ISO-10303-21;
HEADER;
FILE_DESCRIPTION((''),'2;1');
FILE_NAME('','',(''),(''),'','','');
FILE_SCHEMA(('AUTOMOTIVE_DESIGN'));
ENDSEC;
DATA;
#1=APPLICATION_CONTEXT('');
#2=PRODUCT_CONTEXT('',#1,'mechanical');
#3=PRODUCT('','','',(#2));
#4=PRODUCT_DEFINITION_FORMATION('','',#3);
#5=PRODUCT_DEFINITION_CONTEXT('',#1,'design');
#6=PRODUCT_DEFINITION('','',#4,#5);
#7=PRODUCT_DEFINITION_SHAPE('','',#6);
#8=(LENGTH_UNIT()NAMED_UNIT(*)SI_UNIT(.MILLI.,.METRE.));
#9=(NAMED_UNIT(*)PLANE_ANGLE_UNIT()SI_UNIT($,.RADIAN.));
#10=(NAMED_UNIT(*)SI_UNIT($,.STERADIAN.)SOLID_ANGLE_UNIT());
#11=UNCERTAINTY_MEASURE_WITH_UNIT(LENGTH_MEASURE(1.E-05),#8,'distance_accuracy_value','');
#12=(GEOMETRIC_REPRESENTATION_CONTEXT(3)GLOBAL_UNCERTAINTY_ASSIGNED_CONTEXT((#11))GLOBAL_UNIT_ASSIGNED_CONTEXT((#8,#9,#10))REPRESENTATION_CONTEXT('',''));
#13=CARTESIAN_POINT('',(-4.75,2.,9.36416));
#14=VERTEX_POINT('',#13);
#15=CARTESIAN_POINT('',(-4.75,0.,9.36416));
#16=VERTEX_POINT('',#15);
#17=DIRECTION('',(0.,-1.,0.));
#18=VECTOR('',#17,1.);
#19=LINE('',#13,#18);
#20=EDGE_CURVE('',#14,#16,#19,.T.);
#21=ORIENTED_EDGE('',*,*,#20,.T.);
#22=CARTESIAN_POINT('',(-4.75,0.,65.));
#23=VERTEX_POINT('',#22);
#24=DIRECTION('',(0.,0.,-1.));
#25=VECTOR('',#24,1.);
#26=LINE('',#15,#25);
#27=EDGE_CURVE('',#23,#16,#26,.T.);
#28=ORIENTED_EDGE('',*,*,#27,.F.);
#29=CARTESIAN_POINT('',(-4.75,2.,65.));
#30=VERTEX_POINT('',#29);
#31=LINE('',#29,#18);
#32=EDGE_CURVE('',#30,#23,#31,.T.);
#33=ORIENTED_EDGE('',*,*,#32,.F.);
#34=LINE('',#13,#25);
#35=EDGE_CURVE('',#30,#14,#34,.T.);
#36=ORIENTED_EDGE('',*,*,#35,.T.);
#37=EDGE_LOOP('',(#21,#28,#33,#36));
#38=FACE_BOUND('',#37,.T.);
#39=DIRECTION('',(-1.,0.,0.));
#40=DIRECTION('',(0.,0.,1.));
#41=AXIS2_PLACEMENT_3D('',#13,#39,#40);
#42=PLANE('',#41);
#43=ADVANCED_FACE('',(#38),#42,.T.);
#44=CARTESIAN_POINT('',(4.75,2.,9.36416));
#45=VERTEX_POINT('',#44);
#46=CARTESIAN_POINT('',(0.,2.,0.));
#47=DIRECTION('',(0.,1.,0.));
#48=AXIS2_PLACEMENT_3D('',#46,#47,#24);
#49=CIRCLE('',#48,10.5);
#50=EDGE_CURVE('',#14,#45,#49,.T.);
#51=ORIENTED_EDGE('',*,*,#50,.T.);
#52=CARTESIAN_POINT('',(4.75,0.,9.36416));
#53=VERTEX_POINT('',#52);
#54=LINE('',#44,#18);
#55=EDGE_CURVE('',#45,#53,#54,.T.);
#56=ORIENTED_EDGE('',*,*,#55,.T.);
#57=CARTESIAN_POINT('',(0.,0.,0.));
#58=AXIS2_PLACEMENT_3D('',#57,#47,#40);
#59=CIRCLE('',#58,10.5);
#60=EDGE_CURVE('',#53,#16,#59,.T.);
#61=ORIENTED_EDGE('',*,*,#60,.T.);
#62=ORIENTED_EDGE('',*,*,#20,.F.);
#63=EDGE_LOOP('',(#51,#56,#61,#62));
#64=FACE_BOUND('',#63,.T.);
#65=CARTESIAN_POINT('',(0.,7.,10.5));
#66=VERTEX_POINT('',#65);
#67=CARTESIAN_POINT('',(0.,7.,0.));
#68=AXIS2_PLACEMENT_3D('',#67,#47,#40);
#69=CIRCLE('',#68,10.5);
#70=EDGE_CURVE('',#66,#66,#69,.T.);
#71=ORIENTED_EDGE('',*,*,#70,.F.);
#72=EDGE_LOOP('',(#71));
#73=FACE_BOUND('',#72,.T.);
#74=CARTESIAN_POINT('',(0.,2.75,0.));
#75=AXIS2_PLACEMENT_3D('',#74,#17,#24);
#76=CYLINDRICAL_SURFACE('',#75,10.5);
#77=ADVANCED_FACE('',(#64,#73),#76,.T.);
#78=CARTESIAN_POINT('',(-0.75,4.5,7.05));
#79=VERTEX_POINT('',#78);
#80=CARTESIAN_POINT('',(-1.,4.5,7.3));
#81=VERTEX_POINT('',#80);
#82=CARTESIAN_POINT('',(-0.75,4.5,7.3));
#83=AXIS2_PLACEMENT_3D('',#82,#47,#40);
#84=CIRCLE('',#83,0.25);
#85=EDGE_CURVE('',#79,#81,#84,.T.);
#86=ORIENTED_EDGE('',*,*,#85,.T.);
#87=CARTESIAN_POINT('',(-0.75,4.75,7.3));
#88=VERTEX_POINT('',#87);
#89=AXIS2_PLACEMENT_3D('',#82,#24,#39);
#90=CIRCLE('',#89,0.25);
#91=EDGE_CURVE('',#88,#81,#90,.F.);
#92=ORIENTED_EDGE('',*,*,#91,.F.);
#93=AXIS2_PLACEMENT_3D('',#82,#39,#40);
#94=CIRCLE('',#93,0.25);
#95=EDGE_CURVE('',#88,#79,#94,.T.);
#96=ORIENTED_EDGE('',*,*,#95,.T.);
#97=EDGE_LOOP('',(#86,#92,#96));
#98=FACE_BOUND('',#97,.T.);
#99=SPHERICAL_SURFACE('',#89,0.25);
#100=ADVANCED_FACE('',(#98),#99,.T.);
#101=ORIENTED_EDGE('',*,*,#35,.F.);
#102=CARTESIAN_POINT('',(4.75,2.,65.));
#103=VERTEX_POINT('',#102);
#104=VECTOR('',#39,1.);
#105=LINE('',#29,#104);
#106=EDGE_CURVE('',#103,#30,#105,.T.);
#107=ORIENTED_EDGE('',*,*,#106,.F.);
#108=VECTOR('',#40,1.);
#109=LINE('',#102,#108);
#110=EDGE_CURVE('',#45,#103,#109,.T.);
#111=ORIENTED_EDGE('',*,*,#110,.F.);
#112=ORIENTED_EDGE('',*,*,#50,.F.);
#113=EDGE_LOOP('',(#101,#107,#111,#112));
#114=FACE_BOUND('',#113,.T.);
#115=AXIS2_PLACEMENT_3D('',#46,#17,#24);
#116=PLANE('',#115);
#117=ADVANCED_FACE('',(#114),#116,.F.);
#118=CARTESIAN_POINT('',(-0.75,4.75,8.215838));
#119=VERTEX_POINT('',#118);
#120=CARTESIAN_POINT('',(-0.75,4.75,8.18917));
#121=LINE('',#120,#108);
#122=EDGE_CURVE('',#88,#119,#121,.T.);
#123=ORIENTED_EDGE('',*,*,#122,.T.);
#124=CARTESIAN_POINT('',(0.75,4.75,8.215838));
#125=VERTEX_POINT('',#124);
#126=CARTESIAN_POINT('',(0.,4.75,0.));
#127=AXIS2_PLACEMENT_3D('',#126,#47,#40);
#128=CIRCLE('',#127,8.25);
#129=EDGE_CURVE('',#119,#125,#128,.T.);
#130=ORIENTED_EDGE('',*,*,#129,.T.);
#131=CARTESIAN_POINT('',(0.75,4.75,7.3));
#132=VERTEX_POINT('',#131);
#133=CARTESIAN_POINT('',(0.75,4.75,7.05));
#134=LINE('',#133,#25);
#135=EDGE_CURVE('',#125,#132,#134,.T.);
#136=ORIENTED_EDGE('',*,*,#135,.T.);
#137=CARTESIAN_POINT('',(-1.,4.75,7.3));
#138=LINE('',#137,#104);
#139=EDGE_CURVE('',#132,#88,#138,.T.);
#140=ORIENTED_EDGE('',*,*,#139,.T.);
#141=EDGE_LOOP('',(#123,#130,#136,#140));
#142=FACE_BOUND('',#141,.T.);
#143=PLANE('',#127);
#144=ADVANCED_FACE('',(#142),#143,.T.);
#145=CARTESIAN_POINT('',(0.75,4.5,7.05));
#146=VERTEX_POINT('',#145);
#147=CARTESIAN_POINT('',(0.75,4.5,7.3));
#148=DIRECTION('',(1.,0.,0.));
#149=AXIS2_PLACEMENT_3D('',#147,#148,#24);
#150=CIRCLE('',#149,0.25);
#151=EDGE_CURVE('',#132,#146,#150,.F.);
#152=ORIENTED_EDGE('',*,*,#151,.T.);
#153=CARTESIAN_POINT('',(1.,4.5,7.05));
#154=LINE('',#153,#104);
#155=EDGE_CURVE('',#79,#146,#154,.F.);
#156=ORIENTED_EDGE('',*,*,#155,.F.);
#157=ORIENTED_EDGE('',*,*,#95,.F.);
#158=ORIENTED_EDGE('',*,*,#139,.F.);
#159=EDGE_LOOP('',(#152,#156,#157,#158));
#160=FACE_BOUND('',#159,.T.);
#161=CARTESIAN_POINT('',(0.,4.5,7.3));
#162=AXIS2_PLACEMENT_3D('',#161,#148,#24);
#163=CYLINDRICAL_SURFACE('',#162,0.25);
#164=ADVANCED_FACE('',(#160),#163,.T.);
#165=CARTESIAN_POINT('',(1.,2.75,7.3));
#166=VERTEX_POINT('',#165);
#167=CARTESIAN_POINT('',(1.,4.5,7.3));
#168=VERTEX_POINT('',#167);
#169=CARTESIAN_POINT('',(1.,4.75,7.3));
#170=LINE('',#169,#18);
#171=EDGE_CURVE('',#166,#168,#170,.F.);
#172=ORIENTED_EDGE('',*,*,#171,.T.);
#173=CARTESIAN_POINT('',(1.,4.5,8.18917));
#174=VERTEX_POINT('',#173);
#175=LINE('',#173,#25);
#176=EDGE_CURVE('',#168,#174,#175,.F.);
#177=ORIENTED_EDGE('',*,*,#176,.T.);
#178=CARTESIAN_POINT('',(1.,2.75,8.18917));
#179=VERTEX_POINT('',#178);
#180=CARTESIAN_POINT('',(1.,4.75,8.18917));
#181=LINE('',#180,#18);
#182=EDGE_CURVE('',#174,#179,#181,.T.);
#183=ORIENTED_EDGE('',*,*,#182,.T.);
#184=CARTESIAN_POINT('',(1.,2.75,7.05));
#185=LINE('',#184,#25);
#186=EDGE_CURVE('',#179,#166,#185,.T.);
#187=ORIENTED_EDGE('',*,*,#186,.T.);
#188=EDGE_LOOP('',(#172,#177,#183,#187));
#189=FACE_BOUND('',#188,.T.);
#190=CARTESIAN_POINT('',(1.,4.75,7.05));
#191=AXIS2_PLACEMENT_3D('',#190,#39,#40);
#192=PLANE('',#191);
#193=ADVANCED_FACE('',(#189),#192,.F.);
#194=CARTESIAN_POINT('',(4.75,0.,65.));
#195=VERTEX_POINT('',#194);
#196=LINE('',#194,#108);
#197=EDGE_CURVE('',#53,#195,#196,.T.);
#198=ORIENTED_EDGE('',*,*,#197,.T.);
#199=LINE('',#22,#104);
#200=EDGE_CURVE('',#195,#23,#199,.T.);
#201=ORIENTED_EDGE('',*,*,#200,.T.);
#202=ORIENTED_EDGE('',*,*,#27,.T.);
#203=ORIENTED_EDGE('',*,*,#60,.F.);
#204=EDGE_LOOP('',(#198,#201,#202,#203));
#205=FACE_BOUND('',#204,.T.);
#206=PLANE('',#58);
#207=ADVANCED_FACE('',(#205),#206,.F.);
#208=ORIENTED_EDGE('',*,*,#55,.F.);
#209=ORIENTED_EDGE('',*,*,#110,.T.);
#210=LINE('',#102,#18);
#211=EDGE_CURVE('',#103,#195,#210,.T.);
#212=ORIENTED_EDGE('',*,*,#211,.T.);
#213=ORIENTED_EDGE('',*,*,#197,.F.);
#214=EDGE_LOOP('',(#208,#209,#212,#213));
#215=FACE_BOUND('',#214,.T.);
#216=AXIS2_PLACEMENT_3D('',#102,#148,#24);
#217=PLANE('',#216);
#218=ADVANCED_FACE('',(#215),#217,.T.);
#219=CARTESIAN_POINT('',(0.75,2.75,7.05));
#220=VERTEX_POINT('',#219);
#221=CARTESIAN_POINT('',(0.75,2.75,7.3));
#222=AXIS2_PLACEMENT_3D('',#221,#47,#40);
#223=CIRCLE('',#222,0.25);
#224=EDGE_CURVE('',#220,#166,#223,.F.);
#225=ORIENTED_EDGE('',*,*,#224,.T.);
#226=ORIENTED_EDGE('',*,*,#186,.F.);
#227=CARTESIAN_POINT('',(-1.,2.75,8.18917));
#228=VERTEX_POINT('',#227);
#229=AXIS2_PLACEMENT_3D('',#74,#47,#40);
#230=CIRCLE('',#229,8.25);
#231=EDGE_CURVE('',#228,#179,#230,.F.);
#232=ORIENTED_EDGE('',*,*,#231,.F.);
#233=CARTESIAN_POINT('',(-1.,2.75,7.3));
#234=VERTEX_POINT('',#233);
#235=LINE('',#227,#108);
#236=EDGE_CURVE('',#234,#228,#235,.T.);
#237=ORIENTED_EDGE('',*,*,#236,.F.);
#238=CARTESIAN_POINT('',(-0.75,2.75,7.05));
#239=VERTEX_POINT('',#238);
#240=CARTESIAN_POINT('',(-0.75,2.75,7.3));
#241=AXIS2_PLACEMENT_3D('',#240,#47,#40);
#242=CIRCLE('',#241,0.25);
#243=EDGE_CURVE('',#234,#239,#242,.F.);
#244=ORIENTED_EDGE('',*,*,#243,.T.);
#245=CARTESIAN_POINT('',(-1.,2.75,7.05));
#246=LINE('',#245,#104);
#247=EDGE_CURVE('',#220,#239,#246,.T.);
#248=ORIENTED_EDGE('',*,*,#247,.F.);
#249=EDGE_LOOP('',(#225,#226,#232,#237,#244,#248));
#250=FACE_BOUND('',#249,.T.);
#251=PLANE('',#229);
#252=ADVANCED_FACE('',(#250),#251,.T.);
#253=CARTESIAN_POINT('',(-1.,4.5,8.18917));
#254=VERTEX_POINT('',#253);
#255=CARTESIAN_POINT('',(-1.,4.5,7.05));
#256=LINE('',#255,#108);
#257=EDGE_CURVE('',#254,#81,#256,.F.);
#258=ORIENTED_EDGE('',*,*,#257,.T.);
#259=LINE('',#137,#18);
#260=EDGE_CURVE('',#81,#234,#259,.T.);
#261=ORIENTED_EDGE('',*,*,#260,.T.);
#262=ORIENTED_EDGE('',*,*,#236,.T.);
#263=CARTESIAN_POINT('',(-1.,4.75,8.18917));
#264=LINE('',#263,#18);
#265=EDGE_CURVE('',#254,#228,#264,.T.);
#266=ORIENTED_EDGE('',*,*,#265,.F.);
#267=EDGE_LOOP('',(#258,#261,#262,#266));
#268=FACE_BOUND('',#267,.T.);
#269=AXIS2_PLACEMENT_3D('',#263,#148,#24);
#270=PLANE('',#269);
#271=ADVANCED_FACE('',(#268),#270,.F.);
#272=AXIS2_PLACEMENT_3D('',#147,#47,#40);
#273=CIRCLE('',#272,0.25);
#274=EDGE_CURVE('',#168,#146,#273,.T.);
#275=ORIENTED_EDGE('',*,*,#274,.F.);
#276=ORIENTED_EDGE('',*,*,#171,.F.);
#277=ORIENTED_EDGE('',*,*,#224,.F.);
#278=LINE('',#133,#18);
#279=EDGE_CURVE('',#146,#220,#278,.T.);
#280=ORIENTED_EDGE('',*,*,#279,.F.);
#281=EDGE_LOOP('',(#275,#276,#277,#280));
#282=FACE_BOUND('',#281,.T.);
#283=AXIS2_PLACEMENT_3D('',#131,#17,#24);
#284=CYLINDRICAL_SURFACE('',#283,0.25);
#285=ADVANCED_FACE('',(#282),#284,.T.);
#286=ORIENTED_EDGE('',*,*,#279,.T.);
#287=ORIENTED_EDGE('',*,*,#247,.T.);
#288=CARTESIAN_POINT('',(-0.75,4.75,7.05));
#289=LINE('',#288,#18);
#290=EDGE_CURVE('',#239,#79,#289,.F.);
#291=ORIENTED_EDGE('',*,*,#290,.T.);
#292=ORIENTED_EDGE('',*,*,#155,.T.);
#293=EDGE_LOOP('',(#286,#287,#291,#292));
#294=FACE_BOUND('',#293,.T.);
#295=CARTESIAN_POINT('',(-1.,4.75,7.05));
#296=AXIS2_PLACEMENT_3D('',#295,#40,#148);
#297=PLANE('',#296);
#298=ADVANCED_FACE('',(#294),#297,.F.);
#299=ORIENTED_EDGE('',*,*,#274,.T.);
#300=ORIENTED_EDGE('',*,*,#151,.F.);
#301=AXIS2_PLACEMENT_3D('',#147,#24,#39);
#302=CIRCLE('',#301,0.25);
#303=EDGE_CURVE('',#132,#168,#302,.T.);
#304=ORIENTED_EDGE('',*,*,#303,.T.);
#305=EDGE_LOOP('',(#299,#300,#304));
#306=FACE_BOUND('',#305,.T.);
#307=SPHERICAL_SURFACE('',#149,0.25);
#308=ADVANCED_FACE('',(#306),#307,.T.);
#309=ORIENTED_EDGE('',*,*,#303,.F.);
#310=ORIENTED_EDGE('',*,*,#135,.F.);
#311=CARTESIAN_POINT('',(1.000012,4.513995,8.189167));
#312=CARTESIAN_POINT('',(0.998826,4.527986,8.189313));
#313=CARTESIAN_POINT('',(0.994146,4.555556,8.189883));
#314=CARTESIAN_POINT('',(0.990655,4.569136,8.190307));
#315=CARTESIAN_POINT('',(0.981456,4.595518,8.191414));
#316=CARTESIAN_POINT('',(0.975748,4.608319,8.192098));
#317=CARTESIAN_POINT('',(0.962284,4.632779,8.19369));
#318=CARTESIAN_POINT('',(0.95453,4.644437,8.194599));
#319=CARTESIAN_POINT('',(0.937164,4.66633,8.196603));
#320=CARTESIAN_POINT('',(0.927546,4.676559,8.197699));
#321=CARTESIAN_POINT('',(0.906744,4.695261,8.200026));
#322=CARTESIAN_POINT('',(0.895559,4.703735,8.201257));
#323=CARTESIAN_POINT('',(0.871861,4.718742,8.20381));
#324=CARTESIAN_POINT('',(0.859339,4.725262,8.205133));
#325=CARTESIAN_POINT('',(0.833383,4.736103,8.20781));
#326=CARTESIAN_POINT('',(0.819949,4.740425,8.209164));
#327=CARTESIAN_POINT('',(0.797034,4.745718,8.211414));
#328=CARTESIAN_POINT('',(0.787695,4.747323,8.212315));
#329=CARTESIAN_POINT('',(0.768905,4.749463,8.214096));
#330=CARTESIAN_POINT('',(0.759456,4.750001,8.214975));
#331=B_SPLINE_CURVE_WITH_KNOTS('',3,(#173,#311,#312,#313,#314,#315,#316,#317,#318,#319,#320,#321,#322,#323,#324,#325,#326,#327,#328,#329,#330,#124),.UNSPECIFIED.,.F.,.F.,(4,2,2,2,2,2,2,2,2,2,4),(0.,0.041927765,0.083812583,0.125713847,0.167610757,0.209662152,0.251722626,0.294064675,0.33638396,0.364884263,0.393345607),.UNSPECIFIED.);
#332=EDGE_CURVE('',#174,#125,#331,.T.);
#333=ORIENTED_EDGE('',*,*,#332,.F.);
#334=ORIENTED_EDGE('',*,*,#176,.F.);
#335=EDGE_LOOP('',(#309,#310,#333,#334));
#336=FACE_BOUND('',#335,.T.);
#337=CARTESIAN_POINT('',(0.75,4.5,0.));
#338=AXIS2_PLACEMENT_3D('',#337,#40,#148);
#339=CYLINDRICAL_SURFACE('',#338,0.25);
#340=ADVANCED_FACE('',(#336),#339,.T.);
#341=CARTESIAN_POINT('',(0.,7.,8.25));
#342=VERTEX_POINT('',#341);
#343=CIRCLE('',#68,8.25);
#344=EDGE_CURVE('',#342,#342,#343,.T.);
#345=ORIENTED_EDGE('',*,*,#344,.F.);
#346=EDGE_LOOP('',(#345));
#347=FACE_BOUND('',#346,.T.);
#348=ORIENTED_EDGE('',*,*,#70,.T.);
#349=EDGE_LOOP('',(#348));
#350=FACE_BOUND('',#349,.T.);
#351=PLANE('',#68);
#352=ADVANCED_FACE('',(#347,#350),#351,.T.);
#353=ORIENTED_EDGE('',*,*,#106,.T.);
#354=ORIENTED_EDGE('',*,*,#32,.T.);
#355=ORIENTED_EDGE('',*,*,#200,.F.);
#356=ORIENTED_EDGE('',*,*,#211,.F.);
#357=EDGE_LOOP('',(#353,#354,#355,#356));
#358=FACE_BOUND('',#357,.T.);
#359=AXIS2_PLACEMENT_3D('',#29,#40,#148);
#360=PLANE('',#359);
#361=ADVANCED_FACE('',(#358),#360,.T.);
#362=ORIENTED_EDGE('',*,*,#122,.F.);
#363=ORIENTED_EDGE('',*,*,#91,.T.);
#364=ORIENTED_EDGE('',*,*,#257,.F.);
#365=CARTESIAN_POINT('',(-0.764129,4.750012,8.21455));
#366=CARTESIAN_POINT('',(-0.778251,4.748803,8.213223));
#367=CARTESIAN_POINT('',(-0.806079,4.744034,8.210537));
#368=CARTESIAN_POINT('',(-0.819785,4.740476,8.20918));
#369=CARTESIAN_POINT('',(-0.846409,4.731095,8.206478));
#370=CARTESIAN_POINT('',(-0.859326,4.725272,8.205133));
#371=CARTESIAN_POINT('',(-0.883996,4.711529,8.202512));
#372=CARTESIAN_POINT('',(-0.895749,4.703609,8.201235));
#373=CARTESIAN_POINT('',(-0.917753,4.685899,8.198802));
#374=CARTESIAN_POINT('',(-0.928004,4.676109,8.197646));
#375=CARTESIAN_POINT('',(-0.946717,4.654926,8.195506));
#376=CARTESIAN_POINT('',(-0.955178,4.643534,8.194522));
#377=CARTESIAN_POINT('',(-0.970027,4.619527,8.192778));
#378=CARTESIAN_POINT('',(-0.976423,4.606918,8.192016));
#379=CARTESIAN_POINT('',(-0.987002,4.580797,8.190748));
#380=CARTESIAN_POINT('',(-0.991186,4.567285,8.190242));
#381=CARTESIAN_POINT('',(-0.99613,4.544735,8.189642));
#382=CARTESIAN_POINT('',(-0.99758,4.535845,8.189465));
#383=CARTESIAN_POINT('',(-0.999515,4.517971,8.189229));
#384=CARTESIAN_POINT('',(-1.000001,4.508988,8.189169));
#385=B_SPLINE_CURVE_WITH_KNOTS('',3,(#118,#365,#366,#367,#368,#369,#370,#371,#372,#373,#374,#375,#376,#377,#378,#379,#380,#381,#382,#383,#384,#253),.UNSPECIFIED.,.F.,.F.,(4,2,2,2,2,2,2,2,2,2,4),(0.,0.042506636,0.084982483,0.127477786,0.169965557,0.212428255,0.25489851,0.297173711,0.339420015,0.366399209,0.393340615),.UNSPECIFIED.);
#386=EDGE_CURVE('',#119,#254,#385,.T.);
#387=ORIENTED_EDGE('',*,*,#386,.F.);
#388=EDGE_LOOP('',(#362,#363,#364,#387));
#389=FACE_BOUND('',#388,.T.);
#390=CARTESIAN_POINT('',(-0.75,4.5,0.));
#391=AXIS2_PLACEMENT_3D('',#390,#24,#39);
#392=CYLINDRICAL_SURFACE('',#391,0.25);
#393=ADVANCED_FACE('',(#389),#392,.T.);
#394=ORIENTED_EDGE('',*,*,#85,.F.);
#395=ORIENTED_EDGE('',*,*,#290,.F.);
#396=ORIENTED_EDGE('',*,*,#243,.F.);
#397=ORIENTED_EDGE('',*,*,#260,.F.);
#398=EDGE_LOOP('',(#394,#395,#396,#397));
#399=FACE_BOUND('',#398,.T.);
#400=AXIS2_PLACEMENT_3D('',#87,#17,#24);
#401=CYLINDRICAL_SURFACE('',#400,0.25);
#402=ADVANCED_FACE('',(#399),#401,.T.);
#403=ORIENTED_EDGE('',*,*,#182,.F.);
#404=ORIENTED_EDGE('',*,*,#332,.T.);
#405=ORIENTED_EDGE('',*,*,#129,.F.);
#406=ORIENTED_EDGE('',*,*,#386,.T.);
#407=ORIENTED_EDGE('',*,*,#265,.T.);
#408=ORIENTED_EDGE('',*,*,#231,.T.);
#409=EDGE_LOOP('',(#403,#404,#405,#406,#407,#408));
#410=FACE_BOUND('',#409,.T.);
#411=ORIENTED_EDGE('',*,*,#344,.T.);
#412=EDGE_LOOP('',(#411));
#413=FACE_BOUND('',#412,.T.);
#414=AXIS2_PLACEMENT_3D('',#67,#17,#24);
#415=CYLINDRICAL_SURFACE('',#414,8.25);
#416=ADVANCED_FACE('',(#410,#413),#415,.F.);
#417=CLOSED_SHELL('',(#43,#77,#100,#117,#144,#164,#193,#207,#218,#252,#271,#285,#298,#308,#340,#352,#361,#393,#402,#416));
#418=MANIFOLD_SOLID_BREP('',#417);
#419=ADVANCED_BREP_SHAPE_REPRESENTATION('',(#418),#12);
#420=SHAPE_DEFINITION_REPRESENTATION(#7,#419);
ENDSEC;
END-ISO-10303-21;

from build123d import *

# Parameters (mm, degrees)
F_0_1MM_FIT_FOR_POT_R = 10.5
BOSS_EXTRUDE1_DEPTH   = 2.75
SKETCH4_R             = 10.5
SKETCH4_R_2           = 8.25
BOSS_EXTRUDE2_DEPTH   = 4.25
BOSS_EXTRUDE3_DEPTH   = 2
FILLET1_R             = 0.25
BOSS_EXTRUDE4_DEPTH   = 2


with BuildPart() as part:
    # 0.1mm fit for pot → Boss-Extrude1 (new body)
    with BuildSketch(Plane(origin=(0, 0, 0), x_dir=(1, 0, 0), z_dir=(0, 1, 0))):
        Circle(F_0_1MM_FIT_FOR_POT_R)
    extrude(amount=BOSS_EXTRUDE1_DEPTH)

    # Sketch4 → Boss-Extrude2 (add)
    with BuildSketch(Plane(origin=(0, 2.75, 0), x_dir=(1, 0, 0), z_dir=(0, 1, 0))):
        Circle(SKETCH4_R)
        Circle(SKETCH4_R_2, mode=Mode.SUBTRACT)
    extrude(amount=BOSS_EXTRUDE2_DEPTH)

    # Sketch5 → Boss-Extrude3 (add)
    with BuildSketch(Plane(origin=(0, 2.75, 0), x_dir=(1, 0, 0), z_dir=(0, 1, 0))):
        with BuildLine():
            Line((-1, -8.189169677), (-1, -7.05))
            Line((-1, -7.05), (1, -7.05))
            Line((1, -7.05), (1, -8.189169677))
            ThreePointArc((1, -8.189169677), (0, -8.25), (-1, -8.189169677))
        make_face()
    extrude(amount=BOSS_EXTRUDE3_DEPTH)

    # Fillet1
    fillet1_edges = [part.edges().sort_by_distance(p)[0] for p in [
        (1, 3.75, 7.05),
        (-1, 3.75, 7.05),
        (0, 4.75, 7.05),
        (-1, 4.75, 7.619584839),
        (1, 4.75, 7.619584839),
    ]]
    fillet(fillet1_edges, radius=FILLET1_R)

    # Sketch6 → Boss-Extrude4 (add)
    with BuildSketch(Plane.XZ):
        with BuildLine():
            Line((-4.75, 9.3641604), (-4.75, 65))
            Line((-4.75, 65), (4.75, 65))
            Line((4.75, 65), (4.75, 9.3641604))
            ThreePointArc((4.75, 9.3641604), (0, 10.5), (-4.75, 9.3641604))
        make_face()
    extrude(amount=-BOSS_EXTRUDE4_DEPTH)


solid = part.part
